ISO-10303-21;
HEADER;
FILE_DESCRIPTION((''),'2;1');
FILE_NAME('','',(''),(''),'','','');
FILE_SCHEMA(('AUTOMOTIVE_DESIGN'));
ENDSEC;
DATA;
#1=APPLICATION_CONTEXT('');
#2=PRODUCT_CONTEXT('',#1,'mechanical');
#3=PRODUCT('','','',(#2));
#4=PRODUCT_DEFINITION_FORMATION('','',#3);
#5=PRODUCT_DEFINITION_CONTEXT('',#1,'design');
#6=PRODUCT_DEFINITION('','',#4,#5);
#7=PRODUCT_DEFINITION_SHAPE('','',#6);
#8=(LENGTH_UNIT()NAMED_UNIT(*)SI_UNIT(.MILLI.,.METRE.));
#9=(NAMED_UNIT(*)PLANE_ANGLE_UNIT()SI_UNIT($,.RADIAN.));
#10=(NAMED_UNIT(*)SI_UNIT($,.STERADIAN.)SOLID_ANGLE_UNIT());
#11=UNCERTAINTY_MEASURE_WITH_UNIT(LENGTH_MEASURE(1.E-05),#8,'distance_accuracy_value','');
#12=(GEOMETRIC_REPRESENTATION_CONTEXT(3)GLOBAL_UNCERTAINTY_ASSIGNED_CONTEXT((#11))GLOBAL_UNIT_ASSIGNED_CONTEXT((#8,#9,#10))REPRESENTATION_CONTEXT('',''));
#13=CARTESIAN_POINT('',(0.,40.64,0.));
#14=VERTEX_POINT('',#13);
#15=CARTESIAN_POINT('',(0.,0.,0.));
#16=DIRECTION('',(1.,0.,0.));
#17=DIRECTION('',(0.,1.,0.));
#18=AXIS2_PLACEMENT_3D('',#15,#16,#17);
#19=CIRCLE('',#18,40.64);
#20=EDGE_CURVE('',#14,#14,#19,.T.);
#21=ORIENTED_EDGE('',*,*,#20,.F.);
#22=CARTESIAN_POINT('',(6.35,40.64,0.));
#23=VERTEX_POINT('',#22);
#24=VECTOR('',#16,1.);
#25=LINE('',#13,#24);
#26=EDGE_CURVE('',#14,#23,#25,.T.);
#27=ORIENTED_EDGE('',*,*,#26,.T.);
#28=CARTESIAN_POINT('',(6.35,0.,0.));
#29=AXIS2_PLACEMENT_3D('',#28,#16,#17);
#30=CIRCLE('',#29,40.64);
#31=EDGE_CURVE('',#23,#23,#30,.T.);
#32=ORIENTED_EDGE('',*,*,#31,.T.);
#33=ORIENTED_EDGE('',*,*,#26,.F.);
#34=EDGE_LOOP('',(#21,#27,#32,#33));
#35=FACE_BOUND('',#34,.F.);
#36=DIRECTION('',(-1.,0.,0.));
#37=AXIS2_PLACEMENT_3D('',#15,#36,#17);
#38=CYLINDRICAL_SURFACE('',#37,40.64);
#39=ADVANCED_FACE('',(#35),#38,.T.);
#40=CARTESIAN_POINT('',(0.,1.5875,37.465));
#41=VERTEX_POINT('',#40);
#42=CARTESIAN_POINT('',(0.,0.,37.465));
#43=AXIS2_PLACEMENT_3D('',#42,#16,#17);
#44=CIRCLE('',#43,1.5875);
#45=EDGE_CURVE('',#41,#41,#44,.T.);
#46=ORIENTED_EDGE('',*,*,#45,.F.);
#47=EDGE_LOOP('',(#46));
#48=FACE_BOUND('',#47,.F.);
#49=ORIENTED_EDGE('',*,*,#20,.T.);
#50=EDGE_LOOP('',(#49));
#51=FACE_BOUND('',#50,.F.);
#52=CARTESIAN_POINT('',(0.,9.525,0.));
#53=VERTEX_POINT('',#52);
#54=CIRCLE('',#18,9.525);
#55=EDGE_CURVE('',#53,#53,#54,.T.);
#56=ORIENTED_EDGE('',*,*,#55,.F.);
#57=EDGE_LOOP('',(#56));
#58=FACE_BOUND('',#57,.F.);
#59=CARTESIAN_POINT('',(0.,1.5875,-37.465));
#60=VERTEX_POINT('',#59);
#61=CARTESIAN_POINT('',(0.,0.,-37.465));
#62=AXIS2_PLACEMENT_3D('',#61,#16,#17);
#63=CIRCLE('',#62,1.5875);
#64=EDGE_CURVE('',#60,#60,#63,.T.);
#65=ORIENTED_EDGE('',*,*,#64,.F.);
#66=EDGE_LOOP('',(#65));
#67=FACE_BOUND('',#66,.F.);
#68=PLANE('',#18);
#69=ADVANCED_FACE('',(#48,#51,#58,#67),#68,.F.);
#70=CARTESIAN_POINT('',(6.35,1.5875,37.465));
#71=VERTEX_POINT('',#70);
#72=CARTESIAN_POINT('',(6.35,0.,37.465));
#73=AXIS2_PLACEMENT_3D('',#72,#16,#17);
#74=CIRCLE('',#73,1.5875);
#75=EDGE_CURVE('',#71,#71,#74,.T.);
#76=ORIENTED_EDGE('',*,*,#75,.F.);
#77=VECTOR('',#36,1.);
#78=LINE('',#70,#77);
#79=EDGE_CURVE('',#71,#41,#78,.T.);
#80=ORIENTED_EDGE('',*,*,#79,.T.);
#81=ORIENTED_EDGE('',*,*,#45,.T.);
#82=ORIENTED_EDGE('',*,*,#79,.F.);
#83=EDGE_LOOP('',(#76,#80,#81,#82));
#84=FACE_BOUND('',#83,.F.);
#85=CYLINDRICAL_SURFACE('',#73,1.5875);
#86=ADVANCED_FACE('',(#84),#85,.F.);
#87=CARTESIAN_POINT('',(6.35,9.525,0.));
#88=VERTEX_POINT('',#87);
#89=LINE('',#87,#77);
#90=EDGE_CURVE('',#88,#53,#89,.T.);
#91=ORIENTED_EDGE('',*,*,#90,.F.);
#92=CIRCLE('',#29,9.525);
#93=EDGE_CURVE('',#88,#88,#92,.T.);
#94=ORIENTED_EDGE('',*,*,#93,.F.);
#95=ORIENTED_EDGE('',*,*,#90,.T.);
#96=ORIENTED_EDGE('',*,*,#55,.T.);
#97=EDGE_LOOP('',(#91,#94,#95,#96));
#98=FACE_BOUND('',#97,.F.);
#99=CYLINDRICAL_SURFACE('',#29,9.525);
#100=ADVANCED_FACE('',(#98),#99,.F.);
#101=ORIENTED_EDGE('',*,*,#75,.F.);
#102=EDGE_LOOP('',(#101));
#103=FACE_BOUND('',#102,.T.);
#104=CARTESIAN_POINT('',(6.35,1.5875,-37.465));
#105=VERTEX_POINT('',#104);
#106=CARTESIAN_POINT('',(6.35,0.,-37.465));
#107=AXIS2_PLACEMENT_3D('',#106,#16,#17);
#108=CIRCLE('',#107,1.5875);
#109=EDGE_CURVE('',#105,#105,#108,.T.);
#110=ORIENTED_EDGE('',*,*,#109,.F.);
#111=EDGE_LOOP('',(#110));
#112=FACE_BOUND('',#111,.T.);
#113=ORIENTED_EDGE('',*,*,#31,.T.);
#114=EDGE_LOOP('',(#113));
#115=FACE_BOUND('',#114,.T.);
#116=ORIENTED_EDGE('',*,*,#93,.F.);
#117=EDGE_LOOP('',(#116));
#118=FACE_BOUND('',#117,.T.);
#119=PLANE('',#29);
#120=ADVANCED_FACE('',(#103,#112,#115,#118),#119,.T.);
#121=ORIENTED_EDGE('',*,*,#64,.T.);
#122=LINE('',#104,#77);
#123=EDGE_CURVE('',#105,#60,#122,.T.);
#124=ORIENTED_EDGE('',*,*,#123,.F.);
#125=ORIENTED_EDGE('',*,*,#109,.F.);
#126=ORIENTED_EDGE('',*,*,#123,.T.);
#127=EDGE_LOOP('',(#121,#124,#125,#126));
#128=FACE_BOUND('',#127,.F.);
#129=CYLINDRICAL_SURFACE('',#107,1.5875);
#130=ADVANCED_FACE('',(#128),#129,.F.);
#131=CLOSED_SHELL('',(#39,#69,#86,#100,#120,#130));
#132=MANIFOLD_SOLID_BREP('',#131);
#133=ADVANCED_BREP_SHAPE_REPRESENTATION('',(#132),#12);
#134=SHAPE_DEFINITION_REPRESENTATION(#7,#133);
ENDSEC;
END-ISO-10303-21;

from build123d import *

# Parameters (mm, degrees)
F0_R     = 40.64
F1_DEPTH = 6.35
F2_R     = 1.5875
F3_DEPTH = 6.35
F4_R     = 9.525
F5_DEPTH = 6.35


with BuildPart() as f1:
    # F0 (on Right) → F1 (new body)
    with BuildSketch(Plane.YZ):
        Circle(F0_R)
    extrude(amount=F1_DEPTH)

    # F2 (on face) → F3 (cut)
    with BuildSketch(Plane.YZ.offset(6.35)):
        with Locations((0, 37.465)):
            Circle(F2_R)
        with Locations((0, -37.465)):
            Circle(F2_R)
    extrude(amount=-F3_DEPTH, mode=Mode.SUBTRACT)

    # F4 (on face) → F5 (cut)
    with BuildSketch(Plane.YZ.offset(6.35)):
        Circle(F4_R)
    extrude(amount=-F5_DEPTH, mode=Mode.SUBTRACT)


solid = f1.part
